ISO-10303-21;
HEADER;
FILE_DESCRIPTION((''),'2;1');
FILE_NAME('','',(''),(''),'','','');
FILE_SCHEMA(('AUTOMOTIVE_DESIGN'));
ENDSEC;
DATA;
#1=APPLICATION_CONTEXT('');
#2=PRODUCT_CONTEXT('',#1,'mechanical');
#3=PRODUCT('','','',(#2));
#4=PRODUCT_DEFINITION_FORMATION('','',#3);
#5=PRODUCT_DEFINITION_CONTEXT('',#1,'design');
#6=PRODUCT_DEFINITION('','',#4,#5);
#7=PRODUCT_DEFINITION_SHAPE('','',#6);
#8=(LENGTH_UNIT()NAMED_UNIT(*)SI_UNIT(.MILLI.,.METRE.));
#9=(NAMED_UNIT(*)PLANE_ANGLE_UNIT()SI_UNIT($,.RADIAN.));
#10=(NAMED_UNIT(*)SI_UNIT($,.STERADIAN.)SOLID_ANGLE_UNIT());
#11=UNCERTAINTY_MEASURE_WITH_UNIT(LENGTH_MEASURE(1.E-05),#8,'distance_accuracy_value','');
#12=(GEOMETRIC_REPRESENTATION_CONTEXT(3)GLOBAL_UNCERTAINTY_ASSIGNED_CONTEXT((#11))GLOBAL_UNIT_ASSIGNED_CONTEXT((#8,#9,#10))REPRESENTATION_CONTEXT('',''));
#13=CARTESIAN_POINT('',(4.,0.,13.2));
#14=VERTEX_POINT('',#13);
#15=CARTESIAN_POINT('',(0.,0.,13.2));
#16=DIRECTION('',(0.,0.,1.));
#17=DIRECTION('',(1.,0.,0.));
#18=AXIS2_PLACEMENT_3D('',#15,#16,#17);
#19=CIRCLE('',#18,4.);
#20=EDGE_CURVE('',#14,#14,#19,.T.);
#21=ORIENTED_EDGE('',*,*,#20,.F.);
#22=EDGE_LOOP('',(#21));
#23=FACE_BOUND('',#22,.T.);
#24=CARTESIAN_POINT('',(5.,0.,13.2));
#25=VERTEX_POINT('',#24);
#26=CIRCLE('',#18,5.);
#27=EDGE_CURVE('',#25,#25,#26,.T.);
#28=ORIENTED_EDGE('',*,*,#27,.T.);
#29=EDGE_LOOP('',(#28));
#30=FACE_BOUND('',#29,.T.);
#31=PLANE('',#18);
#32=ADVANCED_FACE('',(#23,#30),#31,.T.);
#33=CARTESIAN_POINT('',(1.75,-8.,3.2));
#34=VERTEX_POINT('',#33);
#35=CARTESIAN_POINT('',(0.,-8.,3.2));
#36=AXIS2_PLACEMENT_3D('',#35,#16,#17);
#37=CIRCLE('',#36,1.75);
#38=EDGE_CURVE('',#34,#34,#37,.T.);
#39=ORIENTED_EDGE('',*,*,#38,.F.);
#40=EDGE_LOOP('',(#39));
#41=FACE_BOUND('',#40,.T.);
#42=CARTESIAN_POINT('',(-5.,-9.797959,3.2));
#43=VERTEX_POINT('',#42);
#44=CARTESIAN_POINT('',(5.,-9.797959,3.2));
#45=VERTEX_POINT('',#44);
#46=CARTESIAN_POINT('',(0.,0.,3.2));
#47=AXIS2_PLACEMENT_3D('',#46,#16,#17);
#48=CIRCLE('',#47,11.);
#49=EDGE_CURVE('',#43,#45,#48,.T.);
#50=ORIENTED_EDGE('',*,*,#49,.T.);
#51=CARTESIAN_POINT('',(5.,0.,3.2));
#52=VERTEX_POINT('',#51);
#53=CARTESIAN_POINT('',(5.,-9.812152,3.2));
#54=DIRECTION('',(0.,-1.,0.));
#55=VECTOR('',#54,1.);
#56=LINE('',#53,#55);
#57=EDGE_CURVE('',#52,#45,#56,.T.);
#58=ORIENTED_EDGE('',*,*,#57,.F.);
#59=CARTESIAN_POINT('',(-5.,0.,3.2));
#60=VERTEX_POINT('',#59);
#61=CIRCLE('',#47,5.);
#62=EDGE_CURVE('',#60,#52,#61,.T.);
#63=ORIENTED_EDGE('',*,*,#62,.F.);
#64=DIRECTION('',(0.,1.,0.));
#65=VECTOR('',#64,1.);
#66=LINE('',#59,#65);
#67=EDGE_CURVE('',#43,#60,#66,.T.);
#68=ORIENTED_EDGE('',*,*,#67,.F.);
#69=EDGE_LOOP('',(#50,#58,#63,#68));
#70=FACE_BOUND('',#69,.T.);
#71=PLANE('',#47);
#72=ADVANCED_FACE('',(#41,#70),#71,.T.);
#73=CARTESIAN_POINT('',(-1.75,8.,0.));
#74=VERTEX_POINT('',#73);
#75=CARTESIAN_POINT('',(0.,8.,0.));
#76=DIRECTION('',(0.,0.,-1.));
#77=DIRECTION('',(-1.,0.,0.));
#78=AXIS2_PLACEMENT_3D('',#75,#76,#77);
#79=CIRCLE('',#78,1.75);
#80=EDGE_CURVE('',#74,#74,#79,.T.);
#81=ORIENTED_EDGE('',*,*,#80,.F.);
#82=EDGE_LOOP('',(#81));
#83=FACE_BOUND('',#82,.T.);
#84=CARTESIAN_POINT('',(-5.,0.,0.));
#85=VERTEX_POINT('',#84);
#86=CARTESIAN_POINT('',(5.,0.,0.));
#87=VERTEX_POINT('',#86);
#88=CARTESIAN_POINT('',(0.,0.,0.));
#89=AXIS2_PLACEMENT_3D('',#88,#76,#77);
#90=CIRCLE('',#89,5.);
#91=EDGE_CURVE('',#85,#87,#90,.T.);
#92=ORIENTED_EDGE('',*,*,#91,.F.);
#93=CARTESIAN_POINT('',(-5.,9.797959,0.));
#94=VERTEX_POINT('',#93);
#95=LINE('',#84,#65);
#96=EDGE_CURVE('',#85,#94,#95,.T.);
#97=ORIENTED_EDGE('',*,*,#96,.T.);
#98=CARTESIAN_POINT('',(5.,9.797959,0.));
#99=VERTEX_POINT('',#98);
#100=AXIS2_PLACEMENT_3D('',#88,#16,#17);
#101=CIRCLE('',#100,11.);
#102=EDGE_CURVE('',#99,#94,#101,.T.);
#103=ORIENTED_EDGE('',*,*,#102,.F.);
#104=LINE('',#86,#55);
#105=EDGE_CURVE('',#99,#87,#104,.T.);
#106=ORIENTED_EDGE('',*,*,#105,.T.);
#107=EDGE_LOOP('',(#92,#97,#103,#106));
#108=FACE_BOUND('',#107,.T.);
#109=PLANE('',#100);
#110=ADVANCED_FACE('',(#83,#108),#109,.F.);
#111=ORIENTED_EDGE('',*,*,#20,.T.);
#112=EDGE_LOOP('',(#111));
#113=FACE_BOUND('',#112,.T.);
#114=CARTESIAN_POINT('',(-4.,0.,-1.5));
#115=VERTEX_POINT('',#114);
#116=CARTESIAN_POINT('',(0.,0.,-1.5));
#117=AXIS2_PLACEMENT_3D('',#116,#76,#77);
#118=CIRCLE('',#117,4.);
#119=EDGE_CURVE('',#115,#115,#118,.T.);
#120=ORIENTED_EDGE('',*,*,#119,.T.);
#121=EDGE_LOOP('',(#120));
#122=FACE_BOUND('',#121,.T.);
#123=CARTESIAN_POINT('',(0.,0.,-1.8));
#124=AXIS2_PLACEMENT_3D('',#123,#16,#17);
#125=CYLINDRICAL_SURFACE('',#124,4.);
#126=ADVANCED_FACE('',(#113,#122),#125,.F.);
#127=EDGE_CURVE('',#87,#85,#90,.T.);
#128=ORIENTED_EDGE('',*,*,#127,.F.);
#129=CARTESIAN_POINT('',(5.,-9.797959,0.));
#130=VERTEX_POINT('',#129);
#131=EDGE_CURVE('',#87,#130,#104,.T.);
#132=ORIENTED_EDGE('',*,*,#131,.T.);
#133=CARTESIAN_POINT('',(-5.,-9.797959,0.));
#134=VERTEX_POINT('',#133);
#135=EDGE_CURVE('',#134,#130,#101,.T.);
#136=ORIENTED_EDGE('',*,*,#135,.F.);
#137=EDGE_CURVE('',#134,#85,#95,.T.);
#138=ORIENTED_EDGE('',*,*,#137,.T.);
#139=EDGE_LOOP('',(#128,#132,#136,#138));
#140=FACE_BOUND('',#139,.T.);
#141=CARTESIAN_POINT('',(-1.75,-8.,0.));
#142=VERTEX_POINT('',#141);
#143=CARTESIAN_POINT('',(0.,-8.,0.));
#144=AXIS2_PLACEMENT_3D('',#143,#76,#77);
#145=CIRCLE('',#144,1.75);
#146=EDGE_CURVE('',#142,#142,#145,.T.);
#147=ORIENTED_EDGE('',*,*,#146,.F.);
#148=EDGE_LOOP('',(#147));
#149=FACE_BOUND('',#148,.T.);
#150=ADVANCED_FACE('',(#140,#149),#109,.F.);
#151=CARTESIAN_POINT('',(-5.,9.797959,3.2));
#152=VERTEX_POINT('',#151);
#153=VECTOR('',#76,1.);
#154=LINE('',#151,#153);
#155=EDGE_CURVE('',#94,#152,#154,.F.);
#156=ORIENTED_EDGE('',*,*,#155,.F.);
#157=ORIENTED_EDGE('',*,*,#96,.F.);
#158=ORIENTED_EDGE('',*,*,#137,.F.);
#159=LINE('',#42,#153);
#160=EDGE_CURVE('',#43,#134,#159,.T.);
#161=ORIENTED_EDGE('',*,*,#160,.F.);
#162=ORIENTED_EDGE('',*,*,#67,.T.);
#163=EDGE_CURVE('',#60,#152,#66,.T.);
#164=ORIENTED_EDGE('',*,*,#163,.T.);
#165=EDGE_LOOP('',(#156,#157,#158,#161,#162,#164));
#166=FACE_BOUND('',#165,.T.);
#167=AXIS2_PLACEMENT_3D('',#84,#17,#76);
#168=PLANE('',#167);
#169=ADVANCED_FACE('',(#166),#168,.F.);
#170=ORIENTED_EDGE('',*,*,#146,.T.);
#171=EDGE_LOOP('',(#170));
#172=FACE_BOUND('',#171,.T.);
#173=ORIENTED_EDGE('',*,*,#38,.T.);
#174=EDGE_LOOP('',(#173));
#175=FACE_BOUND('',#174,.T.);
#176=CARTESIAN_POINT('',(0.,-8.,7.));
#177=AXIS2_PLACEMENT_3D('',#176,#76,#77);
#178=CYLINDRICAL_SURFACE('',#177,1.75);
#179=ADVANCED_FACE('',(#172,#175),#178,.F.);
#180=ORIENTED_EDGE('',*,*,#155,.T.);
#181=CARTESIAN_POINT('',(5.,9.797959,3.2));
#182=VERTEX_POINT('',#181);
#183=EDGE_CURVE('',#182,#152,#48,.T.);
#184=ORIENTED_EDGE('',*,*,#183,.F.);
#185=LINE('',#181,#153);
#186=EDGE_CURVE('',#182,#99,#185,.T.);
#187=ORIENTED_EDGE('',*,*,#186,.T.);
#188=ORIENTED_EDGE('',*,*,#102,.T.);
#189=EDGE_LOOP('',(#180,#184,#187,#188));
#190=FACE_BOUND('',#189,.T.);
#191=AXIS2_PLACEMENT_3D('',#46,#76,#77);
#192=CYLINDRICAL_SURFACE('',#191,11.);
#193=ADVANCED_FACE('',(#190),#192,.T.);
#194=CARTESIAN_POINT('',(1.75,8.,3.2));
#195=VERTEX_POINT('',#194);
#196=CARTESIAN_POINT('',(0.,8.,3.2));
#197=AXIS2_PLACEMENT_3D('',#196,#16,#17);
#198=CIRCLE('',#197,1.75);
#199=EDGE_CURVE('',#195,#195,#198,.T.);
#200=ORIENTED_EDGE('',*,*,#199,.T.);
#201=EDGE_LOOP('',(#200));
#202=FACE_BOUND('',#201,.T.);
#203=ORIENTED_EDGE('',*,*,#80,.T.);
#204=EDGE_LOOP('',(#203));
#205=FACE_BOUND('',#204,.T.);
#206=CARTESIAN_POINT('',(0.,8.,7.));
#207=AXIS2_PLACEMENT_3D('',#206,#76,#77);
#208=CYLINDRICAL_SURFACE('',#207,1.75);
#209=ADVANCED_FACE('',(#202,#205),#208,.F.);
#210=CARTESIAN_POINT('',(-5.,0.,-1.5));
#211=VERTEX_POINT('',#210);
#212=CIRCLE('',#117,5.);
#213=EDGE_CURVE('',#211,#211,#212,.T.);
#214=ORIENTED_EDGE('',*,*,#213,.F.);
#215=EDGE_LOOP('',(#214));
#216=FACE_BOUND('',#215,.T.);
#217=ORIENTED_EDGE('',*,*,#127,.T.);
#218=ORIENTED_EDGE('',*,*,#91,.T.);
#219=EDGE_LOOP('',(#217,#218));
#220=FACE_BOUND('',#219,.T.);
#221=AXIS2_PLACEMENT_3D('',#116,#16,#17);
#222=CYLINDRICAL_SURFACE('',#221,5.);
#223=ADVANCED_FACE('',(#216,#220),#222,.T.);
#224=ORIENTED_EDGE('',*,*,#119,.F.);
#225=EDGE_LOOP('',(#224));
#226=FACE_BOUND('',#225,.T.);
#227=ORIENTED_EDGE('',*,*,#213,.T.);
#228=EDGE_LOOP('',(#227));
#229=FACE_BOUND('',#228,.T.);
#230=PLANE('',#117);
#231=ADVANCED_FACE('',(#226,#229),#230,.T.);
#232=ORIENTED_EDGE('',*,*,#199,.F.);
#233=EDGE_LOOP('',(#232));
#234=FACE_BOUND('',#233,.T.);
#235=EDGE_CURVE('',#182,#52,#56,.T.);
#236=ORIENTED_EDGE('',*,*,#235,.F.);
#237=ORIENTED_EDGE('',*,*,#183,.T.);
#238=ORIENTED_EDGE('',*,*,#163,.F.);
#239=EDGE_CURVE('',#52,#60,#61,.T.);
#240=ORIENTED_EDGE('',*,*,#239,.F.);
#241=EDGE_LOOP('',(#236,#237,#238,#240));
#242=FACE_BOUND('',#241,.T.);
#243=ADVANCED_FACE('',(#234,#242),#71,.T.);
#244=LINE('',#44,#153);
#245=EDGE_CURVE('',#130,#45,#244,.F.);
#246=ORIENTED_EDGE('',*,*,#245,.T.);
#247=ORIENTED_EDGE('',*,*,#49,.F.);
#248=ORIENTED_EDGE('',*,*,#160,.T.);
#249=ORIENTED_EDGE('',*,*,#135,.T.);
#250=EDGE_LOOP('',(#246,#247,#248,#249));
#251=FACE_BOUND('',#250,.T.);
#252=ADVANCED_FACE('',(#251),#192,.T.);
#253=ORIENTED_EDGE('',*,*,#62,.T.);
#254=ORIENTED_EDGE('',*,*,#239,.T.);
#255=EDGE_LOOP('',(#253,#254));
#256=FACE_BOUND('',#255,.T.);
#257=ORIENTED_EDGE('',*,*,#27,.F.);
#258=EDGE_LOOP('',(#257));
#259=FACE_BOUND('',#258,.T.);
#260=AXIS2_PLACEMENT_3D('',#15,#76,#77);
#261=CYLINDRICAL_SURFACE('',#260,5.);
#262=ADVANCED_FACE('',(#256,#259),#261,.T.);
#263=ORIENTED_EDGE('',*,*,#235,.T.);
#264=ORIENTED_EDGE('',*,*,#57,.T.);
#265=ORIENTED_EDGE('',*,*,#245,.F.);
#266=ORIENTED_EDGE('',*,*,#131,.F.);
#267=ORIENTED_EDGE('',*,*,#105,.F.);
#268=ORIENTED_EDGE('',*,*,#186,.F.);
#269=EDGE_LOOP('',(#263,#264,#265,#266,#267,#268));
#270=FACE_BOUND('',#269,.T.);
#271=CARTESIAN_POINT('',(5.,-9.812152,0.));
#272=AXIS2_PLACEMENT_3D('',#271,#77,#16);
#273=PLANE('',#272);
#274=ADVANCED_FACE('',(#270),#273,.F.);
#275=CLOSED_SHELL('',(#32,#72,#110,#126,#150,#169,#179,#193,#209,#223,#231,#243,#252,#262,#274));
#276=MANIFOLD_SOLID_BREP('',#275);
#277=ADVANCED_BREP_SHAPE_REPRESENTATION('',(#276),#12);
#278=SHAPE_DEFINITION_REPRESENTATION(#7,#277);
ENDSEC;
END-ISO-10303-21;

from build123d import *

# Parameters (mm, degrees)
SKETCH_1_R          = 11
EXTRUDE_1_DEPTH     = 3.2
SKETCH_2_R          = 5
EXTRUDE_2_DEPTH     = 10
SKETCH_3_R          = 4
CUT_EXTRUDE_1_DEPTH = 15
SKETCH_4_R          = 1.75
CUT_EXTRUDE_2_DEPTH = 7
CUT_EXTRUDE_4_DEPTH = 19.493242009
SKETCH_7_R          = 5
SKETCH_7_R_2        = 4
EXTRUDE_3_DEPTH     = 1.5


with BuildPart() as part:
    # 草图1 → 凸台-拉伸1 (new body)
    with BuildSketch(Plane.XY):
        Circle(SKETCH_1_R)
    extrude(amount=EXTRUDE_1_DEPTH)

    # 草图2 → 凸台-拉伸2 (add)
    with BuildSketch(Plane.XY.offset(3.2)):
        Circle(SKETCH_2_R)
    extrude(amount=EXTRUDE_2_DEPTH)

    # 草图3 → 切除-拉伸1 (cut)
    with BuildSketch(Plane.XY.offset(13.2)):
        Circle(SKETCH_3_R)
    extrude(amount=-CUT_EXTRUDE_1_DEPTH, mode=Mode.SUBTRACT)

    # 草图4 → 切除-拉伸2 (cut)
    with BuildSketch(Plane(origin=(0, 0, 0), x_dir=(-1, 0, 0), z_dir=(0, 0, -1))):
        with Locations((0, 8)):
            Circle(SKETCH_4_R)
        with Locations((0, -8)):
            Circle(SKETCH_4_R)
    extrude(amount=-CUT_EXTRUDE_2_DEPTH, mode=Mode.SUBTRACT)

    # 草图6 → 切除-拉伸4 (cut, through all)
    with BuildSketch(Plane.XY.offset(3.2)):
        Polygon((-5, 0), (-5, 10.334769888), (-11, 10.334769888), (-11, -9.812151942), (-5, -9.812151942), align=None)
        Polygon((11, -9.812151942), (5, -9.812151942), (5, 0), (5, 10.334769888), (11, 10.334769888), align=None)
    extrude(amount=-CUT_EXTRUDE_4_DEPTH, mode=Mode.SUBTRACT)

    # 草图7 → 凸台-拉伸3 (add)
    with BuildSketch(Plane(origin=(0, 0, 0), x_dir=(-1, 0, 0), z_dir=(0, 0, -1))):
        with Locations(Location((0, 0, 0), (0, 0, 180))):
            Circle(SKETCH_7_R)
        with Locations(Location((0, 0, 0), (0, 0, 180))):
            Circle(SKETCH_7_R_2, mode=Mode.SUBTRACT)
    extrude(amount=EXTRUDE_3_DEPTH)


solid = part.part
